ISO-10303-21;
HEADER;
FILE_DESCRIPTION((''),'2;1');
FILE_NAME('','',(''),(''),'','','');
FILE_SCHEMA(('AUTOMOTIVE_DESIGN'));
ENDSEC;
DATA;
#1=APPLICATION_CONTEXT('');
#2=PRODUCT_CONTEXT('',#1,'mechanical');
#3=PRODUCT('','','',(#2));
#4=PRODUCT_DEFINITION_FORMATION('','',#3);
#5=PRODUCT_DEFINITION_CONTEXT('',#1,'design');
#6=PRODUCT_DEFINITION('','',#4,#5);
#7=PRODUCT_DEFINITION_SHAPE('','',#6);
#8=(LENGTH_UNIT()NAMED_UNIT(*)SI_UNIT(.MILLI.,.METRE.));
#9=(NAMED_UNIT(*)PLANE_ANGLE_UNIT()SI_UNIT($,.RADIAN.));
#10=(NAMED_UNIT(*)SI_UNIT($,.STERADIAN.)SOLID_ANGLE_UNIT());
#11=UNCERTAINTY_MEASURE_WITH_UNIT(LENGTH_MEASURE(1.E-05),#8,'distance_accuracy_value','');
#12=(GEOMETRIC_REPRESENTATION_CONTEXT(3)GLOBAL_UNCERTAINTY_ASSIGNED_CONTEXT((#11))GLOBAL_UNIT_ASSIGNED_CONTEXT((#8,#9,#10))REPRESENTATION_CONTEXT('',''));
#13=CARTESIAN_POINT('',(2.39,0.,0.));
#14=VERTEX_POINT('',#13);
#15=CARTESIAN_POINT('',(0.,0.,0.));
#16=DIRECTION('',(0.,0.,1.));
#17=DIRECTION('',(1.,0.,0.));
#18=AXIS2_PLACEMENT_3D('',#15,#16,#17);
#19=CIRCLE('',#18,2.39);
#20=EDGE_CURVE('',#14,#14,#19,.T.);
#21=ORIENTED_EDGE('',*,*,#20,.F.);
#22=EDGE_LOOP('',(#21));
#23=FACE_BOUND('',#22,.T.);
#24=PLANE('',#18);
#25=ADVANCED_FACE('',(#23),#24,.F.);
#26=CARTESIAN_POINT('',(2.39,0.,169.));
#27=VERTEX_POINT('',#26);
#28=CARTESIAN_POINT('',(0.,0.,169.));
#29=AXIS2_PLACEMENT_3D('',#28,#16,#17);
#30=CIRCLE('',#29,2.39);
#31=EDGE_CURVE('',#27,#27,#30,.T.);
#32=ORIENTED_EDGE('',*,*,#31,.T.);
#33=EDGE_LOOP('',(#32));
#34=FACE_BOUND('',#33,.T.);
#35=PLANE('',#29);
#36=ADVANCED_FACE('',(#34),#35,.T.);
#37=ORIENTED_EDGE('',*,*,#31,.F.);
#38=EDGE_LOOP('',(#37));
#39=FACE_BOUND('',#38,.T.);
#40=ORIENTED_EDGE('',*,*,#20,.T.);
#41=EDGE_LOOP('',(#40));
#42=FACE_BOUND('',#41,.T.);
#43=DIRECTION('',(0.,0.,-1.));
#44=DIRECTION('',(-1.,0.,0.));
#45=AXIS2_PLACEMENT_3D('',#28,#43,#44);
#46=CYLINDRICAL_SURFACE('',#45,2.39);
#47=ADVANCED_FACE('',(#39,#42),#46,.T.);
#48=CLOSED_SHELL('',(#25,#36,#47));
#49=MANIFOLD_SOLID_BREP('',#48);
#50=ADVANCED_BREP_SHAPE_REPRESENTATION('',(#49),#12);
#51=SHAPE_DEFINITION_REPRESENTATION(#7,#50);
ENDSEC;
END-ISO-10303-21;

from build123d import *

# Parameters (mm, degrees)
ESQUISSE1_R        = 2.39
BOSS_EXTRU_1_DEPTH = 169


with BuildPart() as part:
    # Esquisse1 → Boss.-Extru.1 (new body)
    with BuildSketch(Plane.XY):
        Circle(ESQUISSE1_R)
    extrude(amount=BOSS_EXTRU_1_DEPTH)


solid = part.part
